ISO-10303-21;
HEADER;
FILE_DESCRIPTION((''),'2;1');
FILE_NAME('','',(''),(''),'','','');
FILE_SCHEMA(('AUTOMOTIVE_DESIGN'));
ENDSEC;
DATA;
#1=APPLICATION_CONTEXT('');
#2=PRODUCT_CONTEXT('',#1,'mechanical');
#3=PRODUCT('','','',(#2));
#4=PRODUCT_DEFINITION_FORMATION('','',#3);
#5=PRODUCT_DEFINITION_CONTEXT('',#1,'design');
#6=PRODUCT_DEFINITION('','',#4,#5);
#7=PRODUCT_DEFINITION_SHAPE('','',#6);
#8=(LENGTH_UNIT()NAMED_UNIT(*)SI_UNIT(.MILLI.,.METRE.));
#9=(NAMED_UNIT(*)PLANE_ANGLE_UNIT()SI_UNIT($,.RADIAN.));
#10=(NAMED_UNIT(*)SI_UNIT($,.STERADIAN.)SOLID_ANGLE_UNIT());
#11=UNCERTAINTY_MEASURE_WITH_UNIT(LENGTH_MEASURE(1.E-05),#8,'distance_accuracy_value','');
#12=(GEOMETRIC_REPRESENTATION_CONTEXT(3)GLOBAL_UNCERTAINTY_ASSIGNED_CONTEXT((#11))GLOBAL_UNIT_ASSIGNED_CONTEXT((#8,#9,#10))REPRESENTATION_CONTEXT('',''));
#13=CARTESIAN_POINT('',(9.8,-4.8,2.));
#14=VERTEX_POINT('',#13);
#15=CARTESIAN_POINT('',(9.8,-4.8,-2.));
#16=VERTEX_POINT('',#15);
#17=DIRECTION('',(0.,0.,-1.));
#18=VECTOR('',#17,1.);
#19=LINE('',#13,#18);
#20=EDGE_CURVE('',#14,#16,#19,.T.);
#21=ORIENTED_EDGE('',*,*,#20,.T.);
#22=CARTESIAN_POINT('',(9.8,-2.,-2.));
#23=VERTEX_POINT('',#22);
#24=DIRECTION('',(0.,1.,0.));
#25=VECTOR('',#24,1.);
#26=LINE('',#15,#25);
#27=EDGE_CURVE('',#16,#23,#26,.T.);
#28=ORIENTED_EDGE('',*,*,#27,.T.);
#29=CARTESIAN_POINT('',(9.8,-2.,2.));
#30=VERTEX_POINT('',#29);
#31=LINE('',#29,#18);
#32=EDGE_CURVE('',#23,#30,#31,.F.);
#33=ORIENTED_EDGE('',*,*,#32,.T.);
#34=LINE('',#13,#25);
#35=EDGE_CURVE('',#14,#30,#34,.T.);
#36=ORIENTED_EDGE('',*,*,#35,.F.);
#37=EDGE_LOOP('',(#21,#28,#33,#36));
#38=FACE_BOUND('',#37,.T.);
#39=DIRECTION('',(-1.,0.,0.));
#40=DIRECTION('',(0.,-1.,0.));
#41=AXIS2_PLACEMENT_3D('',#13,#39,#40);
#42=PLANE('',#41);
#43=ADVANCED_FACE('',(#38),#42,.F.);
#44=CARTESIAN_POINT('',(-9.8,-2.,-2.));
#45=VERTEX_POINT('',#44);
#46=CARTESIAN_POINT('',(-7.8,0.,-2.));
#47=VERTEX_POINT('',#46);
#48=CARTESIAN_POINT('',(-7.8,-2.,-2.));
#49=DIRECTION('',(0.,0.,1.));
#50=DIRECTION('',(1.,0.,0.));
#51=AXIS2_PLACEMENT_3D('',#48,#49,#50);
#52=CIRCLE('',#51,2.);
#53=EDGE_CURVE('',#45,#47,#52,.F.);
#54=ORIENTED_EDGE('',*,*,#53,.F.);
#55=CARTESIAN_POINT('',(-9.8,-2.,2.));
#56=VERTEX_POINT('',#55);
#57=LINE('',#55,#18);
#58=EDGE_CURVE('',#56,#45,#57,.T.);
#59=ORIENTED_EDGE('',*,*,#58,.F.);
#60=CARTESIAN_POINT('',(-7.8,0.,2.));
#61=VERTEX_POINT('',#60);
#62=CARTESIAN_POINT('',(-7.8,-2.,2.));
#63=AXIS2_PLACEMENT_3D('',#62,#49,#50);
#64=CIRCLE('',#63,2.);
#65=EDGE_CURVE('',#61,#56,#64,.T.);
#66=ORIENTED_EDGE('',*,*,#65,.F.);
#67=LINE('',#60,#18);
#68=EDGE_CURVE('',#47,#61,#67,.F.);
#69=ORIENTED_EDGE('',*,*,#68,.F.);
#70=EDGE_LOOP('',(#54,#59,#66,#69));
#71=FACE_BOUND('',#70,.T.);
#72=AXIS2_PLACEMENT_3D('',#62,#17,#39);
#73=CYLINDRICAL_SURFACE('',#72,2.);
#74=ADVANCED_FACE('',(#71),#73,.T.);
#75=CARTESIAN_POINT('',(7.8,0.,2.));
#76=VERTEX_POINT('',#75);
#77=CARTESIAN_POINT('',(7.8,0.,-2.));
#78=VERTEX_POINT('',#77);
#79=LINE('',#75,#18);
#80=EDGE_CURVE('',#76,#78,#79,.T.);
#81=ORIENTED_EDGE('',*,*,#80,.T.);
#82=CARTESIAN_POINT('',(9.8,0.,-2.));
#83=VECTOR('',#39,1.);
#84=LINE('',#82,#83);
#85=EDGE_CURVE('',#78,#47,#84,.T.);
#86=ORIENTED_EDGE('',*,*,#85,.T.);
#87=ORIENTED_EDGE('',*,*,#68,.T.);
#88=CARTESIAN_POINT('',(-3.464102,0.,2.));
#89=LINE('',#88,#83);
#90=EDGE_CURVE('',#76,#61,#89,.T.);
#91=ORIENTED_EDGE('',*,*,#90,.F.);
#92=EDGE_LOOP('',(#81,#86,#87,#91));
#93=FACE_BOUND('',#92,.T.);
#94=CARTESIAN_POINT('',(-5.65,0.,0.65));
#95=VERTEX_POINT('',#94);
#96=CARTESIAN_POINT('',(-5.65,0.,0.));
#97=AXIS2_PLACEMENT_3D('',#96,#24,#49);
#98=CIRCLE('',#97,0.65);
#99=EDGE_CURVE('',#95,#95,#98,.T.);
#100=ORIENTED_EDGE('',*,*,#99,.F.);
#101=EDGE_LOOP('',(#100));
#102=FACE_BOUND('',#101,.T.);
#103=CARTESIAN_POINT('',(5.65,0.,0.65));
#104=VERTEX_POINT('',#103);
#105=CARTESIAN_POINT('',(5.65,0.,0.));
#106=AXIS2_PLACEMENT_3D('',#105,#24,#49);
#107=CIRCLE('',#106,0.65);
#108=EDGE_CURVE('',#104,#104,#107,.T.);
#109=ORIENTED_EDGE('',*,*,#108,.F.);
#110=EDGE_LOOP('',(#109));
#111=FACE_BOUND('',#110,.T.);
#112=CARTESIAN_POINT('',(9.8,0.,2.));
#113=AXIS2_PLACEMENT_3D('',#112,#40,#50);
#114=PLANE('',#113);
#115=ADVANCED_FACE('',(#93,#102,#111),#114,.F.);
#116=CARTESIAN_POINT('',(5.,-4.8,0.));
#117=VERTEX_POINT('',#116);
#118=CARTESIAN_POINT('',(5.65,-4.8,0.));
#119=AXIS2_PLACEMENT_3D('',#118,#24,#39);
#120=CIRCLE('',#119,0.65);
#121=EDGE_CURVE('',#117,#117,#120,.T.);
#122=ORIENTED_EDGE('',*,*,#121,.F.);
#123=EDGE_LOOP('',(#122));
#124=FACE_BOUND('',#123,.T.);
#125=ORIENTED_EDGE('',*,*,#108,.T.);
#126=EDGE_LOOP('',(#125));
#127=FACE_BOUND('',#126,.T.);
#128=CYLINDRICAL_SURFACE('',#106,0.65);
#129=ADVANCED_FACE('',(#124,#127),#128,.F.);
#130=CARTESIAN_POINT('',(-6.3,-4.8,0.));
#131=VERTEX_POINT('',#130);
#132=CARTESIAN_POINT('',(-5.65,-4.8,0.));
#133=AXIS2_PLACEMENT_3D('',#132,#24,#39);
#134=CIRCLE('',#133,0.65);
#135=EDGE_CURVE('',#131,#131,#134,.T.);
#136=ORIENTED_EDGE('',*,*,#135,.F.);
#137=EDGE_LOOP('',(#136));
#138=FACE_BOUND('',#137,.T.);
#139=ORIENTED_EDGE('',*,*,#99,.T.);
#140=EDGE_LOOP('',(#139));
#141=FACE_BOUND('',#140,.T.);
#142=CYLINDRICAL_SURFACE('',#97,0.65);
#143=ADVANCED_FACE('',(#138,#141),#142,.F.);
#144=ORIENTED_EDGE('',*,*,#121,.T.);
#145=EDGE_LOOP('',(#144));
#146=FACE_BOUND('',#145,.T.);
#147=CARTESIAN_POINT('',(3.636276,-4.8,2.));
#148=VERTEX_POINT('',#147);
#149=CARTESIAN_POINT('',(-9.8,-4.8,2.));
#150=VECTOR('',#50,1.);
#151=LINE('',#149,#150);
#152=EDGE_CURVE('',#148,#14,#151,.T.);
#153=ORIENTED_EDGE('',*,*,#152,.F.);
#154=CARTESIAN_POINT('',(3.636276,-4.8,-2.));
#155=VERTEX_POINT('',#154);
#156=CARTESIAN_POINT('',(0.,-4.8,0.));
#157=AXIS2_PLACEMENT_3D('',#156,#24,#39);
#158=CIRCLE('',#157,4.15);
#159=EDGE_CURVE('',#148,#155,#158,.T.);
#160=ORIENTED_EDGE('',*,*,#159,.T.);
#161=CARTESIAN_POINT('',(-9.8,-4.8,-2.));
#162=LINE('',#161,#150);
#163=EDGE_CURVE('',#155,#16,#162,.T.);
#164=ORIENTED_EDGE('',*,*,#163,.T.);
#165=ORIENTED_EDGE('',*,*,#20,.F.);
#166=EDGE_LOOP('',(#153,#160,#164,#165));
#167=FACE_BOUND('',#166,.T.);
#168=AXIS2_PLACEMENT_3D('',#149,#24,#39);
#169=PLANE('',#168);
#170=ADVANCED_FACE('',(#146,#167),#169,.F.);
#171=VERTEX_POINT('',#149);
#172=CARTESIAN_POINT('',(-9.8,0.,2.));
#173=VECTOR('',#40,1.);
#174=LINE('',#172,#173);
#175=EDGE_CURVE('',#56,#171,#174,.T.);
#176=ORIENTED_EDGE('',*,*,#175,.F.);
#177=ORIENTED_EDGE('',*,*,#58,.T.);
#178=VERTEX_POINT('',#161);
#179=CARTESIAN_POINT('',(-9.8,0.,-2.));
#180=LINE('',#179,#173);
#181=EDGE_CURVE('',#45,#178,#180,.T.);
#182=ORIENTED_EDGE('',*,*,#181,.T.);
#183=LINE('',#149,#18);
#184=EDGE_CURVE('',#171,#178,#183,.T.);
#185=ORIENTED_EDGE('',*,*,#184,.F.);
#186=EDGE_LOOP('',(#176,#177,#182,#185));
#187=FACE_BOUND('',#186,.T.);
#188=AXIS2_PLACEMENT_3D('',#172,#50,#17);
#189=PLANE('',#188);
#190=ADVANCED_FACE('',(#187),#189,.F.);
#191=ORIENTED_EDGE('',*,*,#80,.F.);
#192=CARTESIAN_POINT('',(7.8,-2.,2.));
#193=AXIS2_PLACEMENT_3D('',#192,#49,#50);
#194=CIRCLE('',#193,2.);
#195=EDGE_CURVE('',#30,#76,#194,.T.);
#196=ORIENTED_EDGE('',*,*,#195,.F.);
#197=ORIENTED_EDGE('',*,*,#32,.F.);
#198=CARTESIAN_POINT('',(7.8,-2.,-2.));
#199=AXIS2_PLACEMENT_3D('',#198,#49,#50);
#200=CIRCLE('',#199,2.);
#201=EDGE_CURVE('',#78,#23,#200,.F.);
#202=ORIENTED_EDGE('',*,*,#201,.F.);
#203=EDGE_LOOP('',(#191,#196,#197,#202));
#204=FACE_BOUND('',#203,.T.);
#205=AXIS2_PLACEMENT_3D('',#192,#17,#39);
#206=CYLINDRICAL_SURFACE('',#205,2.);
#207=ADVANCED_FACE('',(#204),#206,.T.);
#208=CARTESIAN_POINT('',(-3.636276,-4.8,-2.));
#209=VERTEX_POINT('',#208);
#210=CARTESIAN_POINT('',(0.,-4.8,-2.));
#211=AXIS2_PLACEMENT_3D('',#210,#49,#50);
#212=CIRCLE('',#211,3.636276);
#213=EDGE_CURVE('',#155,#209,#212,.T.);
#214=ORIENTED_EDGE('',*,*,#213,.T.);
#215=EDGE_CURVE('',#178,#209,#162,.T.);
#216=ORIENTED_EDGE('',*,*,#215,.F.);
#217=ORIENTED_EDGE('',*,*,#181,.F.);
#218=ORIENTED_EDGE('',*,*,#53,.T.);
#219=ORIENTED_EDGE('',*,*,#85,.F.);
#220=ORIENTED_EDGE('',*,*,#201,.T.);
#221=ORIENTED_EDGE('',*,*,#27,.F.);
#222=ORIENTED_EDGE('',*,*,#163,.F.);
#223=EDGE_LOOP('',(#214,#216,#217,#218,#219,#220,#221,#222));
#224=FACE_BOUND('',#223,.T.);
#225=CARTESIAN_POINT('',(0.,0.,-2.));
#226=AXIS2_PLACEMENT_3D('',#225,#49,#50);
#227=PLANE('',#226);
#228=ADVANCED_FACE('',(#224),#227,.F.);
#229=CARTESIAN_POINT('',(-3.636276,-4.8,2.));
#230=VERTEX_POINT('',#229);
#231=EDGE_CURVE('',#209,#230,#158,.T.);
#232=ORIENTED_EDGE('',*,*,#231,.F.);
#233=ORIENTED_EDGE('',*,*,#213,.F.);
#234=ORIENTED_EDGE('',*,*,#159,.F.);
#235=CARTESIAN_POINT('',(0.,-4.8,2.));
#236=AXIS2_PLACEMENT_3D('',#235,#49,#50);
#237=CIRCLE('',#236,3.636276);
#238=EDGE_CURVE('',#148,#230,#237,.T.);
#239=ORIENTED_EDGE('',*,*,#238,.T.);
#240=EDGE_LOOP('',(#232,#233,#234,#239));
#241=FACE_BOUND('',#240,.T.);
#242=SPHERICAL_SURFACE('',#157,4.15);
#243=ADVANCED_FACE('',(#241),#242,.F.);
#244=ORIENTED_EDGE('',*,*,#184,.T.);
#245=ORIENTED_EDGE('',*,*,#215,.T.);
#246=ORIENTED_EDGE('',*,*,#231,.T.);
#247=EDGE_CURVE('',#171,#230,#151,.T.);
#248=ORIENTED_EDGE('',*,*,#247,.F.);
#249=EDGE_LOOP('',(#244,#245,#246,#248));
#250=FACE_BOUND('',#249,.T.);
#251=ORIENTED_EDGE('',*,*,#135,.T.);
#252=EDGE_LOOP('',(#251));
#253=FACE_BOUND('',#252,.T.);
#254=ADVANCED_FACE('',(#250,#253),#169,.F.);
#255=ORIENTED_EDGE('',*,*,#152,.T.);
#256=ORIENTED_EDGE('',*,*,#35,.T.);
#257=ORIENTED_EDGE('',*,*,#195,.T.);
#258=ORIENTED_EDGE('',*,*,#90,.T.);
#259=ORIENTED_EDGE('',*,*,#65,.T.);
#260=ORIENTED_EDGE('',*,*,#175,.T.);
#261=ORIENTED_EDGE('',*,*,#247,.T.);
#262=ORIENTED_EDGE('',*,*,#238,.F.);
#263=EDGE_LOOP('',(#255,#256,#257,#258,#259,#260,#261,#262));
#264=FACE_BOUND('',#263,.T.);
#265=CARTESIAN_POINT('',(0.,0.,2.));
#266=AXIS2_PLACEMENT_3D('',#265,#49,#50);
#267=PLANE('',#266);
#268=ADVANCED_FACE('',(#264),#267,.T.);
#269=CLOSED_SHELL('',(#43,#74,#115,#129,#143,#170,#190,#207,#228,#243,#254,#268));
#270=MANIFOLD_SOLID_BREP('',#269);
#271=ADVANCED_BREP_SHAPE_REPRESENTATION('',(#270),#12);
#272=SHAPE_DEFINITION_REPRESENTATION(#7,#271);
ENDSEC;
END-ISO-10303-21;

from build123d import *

# Parameters (mm, degrees)
EXTRUDE_1_DEPTH = 2
HOLE_WIZARD_1_D = 1.3
FILLET_1_R      = 2


with BuildPart() as part:
    # 草图1 → 凸台-拉伸1 (new, symmetric)
    with BuildSketch(Plane.XY):
        Polygon((-3.464101615, 0), (-9.8, 0), (-9.8, -4.8), (9.8, -4.8), (9.8, 0), (3.464101615, 0), align=None)
    extrude(amount=EXTRUDE_1_DEPTH, both=True)

    # 孔1 (through all)
    with Locations(Plane(origin=(0, 0, 0), x_dir=(1, 0, 0), z_dir=(0, 1, 0))):
        with Locations((-5.65, 0), (5.65, 0)):
            Hole(HOLE_WIZARD_1_D / 2)

    # 草图5 → 切除-旋转1 (revolve, cut)
    with BuildSketch(Plane.XY):
        with BuildLine():
            Line((0, -8.95), (0, -4.8))
            Line((0, -4.8), (0, -0.65))
            ThreePointArc((0, -0.65), (-4.15, -4.8), (0, -8.95))
        make_face()
    revolve(axis=Axis((0, 0, 0), (0, -1, 0)), mode=Mode.SUBTRACT)

    # 圆角1
    fillet_1_edges = [part.edges().sort_by_distance(p)[0] for p in [
        (9.8, 0, 0),
        (-9.8, 0, 0),
    ]]
    fillet(fillet_1_edges, radius=FILLET_1_R)


solid = part.part
